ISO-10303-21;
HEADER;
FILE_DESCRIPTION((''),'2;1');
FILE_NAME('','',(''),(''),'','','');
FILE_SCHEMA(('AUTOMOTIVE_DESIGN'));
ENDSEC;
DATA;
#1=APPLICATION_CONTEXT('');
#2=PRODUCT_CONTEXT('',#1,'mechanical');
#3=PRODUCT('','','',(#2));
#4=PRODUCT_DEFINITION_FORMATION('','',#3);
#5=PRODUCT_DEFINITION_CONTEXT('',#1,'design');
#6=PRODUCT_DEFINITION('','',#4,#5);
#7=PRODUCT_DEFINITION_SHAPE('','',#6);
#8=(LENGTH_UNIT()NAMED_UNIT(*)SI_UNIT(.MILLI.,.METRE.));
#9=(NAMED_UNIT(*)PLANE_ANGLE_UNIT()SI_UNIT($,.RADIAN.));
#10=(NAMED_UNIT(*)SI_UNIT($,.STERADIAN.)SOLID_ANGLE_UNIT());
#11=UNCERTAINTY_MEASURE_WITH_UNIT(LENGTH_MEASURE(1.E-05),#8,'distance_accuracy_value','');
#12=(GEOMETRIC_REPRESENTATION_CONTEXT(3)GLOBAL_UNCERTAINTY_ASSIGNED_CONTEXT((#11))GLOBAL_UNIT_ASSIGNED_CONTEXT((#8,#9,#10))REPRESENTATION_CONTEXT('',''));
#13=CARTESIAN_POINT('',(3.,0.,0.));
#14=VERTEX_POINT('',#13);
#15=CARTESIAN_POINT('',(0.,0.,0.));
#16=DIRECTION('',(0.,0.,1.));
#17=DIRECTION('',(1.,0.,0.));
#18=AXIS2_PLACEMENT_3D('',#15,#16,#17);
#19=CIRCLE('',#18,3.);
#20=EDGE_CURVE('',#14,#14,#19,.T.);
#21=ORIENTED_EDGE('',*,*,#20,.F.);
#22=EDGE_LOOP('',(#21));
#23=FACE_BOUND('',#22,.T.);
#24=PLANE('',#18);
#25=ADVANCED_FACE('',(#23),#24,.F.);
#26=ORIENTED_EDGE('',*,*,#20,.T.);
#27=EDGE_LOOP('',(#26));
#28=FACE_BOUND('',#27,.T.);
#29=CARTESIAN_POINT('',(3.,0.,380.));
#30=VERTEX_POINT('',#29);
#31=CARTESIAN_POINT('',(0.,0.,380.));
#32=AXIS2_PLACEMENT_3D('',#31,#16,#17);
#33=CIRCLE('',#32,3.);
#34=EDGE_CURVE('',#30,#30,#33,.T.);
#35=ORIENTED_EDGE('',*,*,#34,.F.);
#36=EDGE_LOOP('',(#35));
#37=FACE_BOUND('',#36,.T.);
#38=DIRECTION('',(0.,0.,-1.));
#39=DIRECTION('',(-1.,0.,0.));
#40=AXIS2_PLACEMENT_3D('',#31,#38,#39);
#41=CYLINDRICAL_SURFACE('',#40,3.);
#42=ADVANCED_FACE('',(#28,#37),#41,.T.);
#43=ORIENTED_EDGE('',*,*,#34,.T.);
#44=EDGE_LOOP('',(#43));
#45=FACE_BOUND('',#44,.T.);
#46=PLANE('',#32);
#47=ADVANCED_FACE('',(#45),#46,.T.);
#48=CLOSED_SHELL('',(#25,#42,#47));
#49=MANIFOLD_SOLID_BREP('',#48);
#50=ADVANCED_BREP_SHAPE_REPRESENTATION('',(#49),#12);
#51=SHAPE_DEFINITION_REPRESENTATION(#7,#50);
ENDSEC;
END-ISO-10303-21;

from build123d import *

# Parameters (mm, degrees)
SKETCH_1_R      = 3
EXTRUDE_1_DEPTH = 380


with BuildPart() as part:
    # 草图1 → 凸台-拉伸1 (new body)
    with BuildSketch(Plane.XY):
        Circle(SKETCH_1_R)
    extrude(amount=EXTRUDE_1_DEPTH)


solid = part.part
